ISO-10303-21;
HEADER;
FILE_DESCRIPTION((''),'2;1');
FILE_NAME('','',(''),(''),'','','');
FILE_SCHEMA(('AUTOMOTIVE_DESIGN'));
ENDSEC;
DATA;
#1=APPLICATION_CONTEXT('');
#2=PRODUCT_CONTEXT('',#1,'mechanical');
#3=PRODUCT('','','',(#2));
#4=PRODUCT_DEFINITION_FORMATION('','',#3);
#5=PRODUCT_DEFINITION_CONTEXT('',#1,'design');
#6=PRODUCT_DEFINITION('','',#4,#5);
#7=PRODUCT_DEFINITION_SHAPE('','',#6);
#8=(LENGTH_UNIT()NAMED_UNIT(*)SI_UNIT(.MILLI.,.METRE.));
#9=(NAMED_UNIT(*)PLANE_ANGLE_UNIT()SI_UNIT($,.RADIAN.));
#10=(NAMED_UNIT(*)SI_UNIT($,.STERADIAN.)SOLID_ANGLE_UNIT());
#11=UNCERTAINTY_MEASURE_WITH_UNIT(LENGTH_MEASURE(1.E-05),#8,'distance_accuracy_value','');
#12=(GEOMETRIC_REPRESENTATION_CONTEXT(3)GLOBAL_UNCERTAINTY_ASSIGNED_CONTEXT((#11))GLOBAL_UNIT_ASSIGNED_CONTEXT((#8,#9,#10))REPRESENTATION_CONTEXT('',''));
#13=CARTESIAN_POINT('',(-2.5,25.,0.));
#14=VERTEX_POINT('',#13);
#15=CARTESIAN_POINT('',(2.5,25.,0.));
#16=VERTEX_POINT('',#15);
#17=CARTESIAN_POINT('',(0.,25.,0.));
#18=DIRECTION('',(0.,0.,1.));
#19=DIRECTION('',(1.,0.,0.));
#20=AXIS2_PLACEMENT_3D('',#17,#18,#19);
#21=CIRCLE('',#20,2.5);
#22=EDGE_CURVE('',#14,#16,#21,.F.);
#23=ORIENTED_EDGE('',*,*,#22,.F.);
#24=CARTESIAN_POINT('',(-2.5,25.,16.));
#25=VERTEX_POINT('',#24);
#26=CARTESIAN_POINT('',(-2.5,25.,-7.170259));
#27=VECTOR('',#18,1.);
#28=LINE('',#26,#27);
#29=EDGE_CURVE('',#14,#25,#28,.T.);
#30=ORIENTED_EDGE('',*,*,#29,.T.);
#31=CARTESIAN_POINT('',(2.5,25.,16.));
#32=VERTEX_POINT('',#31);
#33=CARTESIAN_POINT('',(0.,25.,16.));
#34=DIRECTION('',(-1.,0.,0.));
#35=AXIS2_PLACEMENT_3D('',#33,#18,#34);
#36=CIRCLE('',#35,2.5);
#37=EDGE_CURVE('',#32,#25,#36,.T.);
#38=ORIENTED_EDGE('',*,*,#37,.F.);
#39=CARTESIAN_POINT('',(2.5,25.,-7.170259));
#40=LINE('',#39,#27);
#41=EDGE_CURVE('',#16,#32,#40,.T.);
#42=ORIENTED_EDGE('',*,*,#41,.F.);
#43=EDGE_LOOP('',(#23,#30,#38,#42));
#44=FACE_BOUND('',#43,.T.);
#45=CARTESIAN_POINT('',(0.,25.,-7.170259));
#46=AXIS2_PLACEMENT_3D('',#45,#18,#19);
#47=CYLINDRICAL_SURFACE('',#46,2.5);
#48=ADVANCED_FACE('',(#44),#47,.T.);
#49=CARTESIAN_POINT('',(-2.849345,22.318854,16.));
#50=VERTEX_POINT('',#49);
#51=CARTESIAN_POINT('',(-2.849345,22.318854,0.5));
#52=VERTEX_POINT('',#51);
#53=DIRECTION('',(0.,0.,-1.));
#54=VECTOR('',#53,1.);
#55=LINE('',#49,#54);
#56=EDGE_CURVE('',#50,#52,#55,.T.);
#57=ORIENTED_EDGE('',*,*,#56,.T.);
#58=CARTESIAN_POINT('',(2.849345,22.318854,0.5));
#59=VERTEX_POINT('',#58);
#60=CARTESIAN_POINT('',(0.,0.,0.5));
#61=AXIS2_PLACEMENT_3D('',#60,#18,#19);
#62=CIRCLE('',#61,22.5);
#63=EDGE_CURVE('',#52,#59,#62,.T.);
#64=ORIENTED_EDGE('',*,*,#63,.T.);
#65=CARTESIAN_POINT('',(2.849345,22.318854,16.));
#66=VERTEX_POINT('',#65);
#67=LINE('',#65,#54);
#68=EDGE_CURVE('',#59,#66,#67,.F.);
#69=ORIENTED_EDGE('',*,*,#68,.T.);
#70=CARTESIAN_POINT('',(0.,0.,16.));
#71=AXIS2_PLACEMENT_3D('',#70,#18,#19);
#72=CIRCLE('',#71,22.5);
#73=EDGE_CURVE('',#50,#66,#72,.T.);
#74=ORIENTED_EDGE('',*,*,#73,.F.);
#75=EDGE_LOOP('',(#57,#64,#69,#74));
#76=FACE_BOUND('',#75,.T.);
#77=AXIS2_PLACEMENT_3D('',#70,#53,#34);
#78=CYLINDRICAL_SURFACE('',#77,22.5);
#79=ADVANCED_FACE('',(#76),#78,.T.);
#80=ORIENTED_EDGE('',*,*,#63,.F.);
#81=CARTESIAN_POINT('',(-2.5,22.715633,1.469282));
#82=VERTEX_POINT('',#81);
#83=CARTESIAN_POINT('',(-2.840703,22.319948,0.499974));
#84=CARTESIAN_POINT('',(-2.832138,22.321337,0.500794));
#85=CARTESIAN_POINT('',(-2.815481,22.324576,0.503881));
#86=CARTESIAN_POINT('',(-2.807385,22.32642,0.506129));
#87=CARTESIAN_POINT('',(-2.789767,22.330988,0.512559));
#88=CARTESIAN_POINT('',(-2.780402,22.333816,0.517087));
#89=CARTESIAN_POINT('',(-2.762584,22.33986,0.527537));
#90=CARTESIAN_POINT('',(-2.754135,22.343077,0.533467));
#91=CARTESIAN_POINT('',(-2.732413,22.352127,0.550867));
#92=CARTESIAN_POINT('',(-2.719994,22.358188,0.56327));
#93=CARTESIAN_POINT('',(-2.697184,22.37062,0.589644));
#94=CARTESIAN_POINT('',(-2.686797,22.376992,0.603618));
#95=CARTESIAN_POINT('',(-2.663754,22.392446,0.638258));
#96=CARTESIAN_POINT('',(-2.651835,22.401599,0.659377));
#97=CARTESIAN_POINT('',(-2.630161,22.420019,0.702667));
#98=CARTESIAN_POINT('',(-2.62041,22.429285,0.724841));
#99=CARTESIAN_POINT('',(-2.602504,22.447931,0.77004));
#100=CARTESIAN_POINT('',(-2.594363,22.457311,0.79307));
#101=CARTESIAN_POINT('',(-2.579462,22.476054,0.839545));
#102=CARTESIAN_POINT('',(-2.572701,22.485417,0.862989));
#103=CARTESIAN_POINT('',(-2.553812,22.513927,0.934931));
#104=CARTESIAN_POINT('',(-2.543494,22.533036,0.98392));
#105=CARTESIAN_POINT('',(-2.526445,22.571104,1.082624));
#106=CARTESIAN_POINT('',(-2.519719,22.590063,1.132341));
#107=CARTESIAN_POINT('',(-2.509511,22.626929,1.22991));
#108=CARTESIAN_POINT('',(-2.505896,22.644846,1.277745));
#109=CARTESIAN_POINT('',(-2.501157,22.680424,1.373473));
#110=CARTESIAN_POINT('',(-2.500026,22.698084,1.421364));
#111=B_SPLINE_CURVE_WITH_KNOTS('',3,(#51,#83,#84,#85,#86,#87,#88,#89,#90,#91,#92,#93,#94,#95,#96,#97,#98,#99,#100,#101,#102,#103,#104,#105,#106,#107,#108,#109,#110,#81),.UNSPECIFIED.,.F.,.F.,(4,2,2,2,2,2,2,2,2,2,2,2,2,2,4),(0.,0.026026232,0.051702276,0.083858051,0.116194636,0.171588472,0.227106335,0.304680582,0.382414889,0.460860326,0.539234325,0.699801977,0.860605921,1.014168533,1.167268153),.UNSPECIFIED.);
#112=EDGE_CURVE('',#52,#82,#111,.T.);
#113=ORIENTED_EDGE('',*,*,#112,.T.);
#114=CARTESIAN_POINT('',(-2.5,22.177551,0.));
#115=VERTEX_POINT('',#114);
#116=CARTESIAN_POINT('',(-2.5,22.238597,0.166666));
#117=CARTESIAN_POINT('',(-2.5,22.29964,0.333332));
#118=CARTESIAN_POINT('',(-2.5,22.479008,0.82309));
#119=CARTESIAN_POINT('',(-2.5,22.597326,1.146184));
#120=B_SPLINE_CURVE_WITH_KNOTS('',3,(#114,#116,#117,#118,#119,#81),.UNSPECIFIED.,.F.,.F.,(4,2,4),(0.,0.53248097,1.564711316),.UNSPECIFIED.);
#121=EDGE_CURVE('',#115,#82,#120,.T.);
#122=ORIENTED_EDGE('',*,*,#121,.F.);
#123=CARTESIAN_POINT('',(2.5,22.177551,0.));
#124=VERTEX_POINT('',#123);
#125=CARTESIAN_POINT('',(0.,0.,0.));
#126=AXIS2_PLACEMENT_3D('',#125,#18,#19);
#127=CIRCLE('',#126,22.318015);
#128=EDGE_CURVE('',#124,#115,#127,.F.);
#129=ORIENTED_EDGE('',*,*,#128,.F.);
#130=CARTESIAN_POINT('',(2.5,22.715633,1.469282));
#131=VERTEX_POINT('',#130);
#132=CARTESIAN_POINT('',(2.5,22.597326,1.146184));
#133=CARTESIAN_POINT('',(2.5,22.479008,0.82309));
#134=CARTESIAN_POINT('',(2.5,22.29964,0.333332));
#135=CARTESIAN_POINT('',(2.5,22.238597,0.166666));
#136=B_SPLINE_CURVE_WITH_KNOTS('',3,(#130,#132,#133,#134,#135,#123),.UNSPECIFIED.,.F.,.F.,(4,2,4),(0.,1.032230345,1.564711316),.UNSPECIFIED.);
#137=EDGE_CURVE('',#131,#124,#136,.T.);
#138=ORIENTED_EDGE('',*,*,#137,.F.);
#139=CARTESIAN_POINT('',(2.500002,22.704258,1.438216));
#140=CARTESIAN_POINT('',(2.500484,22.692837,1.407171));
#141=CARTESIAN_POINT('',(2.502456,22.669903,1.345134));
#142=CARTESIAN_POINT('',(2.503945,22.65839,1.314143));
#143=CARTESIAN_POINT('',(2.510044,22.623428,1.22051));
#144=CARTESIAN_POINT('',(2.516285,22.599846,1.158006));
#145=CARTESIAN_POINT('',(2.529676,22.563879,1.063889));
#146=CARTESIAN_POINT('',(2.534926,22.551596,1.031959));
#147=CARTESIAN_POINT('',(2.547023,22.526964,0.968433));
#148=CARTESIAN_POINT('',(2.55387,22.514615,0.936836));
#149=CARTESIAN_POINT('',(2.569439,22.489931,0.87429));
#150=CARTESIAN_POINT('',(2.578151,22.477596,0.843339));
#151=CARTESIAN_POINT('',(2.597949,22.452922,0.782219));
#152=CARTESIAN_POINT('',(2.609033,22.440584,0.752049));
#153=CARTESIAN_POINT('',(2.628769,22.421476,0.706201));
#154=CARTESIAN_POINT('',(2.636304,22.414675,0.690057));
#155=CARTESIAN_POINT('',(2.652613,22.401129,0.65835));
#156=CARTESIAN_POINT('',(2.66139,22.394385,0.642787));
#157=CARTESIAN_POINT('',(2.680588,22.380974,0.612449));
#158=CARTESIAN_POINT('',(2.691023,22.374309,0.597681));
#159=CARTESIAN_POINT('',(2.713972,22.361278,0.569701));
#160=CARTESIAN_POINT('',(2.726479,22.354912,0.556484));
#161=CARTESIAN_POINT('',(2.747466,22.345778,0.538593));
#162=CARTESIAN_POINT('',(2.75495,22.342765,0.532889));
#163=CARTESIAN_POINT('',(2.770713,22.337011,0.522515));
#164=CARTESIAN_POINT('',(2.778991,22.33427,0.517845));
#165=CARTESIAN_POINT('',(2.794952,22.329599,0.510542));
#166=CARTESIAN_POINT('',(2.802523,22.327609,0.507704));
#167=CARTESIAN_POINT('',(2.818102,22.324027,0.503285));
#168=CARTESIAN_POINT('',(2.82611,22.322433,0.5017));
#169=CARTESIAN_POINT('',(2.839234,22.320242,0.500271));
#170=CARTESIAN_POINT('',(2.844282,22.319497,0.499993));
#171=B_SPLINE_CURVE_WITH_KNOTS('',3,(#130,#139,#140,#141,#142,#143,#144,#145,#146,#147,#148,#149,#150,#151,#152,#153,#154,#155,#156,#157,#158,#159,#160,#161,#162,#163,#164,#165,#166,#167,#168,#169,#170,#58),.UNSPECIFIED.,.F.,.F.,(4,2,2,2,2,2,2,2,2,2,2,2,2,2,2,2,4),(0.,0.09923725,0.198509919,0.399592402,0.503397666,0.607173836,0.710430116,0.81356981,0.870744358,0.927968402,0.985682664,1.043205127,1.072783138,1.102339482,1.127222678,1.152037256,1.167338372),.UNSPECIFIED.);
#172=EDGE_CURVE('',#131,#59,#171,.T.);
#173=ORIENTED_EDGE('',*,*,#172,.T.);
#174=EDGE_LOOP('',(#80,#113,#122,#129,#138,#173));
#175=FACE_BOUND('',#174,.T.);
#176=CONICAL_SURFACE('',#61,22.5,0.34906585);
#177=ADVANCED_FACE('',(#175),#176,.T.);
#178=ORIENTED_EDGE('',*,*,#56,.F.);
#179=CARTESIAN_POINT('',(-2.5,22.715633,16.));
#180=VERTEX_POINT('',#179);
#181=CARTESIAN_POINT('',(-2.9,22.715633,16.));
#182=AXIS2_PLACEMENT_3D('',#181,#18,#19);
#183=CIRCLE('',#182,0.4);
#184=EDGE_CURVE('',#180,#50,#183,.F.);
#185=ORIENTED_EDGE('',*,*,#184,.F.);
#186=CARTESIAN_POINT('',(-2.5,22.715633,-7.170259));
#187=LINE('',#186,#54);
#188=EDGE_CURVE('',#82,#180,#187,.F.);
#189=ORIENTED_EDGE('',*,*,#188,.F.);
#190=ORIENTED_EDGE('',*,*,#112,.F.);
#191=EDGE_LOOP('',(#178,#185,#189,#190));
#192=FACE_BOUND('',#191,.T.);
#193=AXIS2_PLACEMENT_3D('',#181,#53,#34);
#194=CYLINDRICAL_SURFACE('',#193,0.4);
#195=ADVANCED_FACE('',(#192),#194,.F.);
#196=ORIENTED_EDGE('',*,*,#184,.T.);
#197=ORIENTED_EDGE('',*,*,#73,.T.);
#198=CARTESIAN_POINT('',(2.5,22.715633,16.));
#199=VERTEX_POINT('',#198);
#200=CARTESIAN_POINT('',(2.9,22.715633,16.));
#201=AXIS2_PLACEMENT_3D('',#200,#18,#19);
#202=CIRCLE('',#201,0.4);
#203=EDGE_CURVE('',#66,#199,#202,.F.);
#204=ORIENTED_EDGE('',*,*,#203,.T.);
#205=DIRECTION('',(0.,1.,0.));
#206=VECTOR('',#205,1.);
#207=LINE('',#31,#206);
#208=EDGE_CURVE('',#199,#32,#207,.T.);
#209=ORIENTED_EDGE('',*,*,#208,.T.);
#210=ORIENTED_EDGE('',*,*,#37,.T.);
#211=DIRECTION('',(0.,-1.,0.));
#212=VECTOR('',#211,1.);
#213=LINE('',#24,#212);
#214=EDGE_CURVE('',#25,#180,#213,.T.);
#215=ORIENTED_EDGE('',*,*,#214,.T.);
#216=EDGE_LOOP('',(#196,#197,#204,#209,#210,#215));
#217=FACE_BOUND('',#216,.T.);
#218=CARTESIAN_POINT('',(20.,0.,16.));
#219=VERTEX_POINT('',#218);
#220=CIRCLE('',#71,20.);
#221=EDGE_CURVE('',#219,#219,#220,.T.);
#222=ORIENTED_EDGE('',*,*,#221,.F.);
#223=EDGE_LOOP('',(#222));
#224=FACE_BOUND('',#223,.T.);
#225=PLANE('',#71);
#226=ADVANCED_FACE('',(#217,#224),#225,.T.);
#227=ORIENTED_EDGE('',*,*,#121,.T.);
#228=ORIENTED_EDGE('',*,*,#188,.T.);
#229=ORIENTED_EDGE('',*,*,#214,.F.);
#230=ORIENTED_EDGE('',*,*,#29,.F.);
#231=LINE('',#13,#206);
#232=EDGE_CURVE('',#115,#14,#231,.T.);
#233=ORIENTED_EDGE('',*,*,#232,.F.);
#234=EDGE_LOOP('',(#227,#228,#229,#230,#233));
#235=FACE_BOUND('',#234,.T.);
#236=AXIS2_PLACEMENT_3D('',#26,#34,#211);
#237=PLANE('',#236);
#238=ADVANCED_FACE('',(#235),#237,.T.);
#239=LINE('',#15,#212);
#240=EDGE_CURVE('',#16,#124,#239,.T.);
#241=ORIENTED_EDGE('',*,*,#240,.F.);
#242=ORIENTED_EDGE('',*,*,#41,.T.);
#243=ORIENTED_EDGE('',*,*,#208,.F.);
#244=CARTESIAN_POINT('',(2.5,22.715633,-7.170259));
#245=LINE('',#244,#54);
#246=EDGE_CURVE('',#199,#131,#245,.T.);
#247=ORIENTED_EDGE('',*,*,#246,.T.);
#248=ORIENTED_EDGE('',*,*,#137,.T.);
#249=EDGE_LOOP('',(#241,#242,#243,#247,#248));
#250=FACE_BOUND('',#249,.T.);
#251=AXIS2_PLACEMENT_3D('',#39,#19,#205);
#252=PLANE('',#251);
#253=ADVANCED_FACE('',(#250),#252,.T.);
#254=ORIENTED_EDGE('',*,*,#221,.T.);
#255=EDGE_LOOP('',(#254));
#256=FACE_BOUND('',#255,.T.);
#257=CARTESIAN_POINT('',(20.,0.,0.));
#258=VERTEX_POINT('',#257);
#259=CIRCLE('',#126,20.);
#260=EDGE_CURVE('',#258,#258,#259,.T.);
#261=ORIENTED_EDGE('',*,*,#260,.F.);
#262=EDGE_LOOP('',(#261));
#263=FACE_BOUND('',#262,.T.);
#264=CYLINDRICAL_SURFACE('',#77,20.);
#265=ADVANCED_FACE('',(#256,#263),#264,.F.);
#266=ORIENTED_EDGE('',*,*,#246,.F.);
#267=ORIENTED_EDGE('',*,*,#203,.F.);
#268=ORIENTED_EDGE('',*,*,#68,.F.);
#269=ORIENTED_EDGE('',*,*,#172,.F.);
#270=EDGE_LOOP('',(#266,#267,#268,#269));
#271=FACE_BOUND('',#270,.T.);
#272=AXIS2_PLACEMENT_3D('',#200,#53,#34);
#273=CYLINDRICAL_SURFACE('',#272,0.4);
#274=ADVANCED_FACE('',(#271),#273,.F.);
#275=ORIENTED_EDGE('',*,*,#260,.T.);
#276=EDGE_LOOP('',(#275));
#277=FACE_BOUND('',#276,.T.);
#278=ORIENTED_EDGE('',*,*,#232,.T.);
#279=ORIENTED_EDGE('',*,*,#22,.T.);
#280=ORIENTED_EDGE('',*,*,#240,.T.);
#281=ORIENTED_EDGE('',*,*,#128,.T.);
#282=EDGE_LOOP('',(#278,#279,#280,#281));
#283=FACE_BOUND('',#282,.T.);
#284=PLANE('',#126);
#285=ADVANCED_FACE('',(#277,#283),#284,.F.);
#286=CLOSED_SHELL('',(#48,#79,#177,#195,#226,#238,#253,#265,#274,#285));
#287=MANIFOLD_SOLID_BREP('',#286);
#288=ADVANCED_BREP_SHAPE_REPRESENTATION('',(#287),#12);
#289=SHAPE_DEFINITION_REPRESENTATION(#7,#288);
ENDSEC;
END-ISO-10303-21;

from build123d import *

# Parameters (mm, degrees)
SKETCH1_R      = 22.5
SKETCH1_R_2    = 20
EXTRUDE1_DEPTH = 16
EXTRUDE2_DEPTH = 16
CHAMFER1_SIZE  = 0.5
CHAMFER1_SIZE2 = 0.181985117
FILLET1_R      = 0.4


with BuildPart() as part:
    # Sketch1 → Extrude1 (new body)
    with BuildSketch(Plane.XY):
        Circle(SKETCH1_R)
        Circle(SKETCH1_R_2, mode=Mode.SUBTRACT)
    extrude(amount=EXTRUDE1_DEPTH)

    # Sketch3 → Extrude2 (add)
    with BuildSketch(Plane.XY.offset(16)):
        with BuildLine():
            Line((2.5, 25), (2.5, 22.360679775))
            ThreePointArc((2.5, 22.360679775), (0, 22.5), (-2.5, 22.360679775))
            Line((-2.5, 22.360679775), (-2.5, 25))
            ThreePointArc((-2.5, 25), (0, 27.5), (2.5, 25))
        make_face()
    extrude(amount=-EXTRUDE2_DEPTH)

    # Chamfer1
    chamfer1_edges = [part.edges().sort_by_distance(p)[0] for p in [
        (0, -22.5, 0),
    ]]
    chamfer1_side = [part.faces().sort_by_distance(p)[0] for p in [
        (0, -22.5, 8),
    ]]
    chamfer(chamfer1_edges, length=CHAMFER1_SIZE, length2=CHAMFER1_SIZE2, reference=chamfer1_side[0])

    # Fillet1
    fillet1_edges = [part.edges().sort_by_distance(p)[0] for p in [
        (2.5, 22.360679775, 8.25),
        (-2.5, 22.360679775, 8.25),
    ]]
    fillet(fillet1_edges, radius=FILLET1_R)


solid = part.part
